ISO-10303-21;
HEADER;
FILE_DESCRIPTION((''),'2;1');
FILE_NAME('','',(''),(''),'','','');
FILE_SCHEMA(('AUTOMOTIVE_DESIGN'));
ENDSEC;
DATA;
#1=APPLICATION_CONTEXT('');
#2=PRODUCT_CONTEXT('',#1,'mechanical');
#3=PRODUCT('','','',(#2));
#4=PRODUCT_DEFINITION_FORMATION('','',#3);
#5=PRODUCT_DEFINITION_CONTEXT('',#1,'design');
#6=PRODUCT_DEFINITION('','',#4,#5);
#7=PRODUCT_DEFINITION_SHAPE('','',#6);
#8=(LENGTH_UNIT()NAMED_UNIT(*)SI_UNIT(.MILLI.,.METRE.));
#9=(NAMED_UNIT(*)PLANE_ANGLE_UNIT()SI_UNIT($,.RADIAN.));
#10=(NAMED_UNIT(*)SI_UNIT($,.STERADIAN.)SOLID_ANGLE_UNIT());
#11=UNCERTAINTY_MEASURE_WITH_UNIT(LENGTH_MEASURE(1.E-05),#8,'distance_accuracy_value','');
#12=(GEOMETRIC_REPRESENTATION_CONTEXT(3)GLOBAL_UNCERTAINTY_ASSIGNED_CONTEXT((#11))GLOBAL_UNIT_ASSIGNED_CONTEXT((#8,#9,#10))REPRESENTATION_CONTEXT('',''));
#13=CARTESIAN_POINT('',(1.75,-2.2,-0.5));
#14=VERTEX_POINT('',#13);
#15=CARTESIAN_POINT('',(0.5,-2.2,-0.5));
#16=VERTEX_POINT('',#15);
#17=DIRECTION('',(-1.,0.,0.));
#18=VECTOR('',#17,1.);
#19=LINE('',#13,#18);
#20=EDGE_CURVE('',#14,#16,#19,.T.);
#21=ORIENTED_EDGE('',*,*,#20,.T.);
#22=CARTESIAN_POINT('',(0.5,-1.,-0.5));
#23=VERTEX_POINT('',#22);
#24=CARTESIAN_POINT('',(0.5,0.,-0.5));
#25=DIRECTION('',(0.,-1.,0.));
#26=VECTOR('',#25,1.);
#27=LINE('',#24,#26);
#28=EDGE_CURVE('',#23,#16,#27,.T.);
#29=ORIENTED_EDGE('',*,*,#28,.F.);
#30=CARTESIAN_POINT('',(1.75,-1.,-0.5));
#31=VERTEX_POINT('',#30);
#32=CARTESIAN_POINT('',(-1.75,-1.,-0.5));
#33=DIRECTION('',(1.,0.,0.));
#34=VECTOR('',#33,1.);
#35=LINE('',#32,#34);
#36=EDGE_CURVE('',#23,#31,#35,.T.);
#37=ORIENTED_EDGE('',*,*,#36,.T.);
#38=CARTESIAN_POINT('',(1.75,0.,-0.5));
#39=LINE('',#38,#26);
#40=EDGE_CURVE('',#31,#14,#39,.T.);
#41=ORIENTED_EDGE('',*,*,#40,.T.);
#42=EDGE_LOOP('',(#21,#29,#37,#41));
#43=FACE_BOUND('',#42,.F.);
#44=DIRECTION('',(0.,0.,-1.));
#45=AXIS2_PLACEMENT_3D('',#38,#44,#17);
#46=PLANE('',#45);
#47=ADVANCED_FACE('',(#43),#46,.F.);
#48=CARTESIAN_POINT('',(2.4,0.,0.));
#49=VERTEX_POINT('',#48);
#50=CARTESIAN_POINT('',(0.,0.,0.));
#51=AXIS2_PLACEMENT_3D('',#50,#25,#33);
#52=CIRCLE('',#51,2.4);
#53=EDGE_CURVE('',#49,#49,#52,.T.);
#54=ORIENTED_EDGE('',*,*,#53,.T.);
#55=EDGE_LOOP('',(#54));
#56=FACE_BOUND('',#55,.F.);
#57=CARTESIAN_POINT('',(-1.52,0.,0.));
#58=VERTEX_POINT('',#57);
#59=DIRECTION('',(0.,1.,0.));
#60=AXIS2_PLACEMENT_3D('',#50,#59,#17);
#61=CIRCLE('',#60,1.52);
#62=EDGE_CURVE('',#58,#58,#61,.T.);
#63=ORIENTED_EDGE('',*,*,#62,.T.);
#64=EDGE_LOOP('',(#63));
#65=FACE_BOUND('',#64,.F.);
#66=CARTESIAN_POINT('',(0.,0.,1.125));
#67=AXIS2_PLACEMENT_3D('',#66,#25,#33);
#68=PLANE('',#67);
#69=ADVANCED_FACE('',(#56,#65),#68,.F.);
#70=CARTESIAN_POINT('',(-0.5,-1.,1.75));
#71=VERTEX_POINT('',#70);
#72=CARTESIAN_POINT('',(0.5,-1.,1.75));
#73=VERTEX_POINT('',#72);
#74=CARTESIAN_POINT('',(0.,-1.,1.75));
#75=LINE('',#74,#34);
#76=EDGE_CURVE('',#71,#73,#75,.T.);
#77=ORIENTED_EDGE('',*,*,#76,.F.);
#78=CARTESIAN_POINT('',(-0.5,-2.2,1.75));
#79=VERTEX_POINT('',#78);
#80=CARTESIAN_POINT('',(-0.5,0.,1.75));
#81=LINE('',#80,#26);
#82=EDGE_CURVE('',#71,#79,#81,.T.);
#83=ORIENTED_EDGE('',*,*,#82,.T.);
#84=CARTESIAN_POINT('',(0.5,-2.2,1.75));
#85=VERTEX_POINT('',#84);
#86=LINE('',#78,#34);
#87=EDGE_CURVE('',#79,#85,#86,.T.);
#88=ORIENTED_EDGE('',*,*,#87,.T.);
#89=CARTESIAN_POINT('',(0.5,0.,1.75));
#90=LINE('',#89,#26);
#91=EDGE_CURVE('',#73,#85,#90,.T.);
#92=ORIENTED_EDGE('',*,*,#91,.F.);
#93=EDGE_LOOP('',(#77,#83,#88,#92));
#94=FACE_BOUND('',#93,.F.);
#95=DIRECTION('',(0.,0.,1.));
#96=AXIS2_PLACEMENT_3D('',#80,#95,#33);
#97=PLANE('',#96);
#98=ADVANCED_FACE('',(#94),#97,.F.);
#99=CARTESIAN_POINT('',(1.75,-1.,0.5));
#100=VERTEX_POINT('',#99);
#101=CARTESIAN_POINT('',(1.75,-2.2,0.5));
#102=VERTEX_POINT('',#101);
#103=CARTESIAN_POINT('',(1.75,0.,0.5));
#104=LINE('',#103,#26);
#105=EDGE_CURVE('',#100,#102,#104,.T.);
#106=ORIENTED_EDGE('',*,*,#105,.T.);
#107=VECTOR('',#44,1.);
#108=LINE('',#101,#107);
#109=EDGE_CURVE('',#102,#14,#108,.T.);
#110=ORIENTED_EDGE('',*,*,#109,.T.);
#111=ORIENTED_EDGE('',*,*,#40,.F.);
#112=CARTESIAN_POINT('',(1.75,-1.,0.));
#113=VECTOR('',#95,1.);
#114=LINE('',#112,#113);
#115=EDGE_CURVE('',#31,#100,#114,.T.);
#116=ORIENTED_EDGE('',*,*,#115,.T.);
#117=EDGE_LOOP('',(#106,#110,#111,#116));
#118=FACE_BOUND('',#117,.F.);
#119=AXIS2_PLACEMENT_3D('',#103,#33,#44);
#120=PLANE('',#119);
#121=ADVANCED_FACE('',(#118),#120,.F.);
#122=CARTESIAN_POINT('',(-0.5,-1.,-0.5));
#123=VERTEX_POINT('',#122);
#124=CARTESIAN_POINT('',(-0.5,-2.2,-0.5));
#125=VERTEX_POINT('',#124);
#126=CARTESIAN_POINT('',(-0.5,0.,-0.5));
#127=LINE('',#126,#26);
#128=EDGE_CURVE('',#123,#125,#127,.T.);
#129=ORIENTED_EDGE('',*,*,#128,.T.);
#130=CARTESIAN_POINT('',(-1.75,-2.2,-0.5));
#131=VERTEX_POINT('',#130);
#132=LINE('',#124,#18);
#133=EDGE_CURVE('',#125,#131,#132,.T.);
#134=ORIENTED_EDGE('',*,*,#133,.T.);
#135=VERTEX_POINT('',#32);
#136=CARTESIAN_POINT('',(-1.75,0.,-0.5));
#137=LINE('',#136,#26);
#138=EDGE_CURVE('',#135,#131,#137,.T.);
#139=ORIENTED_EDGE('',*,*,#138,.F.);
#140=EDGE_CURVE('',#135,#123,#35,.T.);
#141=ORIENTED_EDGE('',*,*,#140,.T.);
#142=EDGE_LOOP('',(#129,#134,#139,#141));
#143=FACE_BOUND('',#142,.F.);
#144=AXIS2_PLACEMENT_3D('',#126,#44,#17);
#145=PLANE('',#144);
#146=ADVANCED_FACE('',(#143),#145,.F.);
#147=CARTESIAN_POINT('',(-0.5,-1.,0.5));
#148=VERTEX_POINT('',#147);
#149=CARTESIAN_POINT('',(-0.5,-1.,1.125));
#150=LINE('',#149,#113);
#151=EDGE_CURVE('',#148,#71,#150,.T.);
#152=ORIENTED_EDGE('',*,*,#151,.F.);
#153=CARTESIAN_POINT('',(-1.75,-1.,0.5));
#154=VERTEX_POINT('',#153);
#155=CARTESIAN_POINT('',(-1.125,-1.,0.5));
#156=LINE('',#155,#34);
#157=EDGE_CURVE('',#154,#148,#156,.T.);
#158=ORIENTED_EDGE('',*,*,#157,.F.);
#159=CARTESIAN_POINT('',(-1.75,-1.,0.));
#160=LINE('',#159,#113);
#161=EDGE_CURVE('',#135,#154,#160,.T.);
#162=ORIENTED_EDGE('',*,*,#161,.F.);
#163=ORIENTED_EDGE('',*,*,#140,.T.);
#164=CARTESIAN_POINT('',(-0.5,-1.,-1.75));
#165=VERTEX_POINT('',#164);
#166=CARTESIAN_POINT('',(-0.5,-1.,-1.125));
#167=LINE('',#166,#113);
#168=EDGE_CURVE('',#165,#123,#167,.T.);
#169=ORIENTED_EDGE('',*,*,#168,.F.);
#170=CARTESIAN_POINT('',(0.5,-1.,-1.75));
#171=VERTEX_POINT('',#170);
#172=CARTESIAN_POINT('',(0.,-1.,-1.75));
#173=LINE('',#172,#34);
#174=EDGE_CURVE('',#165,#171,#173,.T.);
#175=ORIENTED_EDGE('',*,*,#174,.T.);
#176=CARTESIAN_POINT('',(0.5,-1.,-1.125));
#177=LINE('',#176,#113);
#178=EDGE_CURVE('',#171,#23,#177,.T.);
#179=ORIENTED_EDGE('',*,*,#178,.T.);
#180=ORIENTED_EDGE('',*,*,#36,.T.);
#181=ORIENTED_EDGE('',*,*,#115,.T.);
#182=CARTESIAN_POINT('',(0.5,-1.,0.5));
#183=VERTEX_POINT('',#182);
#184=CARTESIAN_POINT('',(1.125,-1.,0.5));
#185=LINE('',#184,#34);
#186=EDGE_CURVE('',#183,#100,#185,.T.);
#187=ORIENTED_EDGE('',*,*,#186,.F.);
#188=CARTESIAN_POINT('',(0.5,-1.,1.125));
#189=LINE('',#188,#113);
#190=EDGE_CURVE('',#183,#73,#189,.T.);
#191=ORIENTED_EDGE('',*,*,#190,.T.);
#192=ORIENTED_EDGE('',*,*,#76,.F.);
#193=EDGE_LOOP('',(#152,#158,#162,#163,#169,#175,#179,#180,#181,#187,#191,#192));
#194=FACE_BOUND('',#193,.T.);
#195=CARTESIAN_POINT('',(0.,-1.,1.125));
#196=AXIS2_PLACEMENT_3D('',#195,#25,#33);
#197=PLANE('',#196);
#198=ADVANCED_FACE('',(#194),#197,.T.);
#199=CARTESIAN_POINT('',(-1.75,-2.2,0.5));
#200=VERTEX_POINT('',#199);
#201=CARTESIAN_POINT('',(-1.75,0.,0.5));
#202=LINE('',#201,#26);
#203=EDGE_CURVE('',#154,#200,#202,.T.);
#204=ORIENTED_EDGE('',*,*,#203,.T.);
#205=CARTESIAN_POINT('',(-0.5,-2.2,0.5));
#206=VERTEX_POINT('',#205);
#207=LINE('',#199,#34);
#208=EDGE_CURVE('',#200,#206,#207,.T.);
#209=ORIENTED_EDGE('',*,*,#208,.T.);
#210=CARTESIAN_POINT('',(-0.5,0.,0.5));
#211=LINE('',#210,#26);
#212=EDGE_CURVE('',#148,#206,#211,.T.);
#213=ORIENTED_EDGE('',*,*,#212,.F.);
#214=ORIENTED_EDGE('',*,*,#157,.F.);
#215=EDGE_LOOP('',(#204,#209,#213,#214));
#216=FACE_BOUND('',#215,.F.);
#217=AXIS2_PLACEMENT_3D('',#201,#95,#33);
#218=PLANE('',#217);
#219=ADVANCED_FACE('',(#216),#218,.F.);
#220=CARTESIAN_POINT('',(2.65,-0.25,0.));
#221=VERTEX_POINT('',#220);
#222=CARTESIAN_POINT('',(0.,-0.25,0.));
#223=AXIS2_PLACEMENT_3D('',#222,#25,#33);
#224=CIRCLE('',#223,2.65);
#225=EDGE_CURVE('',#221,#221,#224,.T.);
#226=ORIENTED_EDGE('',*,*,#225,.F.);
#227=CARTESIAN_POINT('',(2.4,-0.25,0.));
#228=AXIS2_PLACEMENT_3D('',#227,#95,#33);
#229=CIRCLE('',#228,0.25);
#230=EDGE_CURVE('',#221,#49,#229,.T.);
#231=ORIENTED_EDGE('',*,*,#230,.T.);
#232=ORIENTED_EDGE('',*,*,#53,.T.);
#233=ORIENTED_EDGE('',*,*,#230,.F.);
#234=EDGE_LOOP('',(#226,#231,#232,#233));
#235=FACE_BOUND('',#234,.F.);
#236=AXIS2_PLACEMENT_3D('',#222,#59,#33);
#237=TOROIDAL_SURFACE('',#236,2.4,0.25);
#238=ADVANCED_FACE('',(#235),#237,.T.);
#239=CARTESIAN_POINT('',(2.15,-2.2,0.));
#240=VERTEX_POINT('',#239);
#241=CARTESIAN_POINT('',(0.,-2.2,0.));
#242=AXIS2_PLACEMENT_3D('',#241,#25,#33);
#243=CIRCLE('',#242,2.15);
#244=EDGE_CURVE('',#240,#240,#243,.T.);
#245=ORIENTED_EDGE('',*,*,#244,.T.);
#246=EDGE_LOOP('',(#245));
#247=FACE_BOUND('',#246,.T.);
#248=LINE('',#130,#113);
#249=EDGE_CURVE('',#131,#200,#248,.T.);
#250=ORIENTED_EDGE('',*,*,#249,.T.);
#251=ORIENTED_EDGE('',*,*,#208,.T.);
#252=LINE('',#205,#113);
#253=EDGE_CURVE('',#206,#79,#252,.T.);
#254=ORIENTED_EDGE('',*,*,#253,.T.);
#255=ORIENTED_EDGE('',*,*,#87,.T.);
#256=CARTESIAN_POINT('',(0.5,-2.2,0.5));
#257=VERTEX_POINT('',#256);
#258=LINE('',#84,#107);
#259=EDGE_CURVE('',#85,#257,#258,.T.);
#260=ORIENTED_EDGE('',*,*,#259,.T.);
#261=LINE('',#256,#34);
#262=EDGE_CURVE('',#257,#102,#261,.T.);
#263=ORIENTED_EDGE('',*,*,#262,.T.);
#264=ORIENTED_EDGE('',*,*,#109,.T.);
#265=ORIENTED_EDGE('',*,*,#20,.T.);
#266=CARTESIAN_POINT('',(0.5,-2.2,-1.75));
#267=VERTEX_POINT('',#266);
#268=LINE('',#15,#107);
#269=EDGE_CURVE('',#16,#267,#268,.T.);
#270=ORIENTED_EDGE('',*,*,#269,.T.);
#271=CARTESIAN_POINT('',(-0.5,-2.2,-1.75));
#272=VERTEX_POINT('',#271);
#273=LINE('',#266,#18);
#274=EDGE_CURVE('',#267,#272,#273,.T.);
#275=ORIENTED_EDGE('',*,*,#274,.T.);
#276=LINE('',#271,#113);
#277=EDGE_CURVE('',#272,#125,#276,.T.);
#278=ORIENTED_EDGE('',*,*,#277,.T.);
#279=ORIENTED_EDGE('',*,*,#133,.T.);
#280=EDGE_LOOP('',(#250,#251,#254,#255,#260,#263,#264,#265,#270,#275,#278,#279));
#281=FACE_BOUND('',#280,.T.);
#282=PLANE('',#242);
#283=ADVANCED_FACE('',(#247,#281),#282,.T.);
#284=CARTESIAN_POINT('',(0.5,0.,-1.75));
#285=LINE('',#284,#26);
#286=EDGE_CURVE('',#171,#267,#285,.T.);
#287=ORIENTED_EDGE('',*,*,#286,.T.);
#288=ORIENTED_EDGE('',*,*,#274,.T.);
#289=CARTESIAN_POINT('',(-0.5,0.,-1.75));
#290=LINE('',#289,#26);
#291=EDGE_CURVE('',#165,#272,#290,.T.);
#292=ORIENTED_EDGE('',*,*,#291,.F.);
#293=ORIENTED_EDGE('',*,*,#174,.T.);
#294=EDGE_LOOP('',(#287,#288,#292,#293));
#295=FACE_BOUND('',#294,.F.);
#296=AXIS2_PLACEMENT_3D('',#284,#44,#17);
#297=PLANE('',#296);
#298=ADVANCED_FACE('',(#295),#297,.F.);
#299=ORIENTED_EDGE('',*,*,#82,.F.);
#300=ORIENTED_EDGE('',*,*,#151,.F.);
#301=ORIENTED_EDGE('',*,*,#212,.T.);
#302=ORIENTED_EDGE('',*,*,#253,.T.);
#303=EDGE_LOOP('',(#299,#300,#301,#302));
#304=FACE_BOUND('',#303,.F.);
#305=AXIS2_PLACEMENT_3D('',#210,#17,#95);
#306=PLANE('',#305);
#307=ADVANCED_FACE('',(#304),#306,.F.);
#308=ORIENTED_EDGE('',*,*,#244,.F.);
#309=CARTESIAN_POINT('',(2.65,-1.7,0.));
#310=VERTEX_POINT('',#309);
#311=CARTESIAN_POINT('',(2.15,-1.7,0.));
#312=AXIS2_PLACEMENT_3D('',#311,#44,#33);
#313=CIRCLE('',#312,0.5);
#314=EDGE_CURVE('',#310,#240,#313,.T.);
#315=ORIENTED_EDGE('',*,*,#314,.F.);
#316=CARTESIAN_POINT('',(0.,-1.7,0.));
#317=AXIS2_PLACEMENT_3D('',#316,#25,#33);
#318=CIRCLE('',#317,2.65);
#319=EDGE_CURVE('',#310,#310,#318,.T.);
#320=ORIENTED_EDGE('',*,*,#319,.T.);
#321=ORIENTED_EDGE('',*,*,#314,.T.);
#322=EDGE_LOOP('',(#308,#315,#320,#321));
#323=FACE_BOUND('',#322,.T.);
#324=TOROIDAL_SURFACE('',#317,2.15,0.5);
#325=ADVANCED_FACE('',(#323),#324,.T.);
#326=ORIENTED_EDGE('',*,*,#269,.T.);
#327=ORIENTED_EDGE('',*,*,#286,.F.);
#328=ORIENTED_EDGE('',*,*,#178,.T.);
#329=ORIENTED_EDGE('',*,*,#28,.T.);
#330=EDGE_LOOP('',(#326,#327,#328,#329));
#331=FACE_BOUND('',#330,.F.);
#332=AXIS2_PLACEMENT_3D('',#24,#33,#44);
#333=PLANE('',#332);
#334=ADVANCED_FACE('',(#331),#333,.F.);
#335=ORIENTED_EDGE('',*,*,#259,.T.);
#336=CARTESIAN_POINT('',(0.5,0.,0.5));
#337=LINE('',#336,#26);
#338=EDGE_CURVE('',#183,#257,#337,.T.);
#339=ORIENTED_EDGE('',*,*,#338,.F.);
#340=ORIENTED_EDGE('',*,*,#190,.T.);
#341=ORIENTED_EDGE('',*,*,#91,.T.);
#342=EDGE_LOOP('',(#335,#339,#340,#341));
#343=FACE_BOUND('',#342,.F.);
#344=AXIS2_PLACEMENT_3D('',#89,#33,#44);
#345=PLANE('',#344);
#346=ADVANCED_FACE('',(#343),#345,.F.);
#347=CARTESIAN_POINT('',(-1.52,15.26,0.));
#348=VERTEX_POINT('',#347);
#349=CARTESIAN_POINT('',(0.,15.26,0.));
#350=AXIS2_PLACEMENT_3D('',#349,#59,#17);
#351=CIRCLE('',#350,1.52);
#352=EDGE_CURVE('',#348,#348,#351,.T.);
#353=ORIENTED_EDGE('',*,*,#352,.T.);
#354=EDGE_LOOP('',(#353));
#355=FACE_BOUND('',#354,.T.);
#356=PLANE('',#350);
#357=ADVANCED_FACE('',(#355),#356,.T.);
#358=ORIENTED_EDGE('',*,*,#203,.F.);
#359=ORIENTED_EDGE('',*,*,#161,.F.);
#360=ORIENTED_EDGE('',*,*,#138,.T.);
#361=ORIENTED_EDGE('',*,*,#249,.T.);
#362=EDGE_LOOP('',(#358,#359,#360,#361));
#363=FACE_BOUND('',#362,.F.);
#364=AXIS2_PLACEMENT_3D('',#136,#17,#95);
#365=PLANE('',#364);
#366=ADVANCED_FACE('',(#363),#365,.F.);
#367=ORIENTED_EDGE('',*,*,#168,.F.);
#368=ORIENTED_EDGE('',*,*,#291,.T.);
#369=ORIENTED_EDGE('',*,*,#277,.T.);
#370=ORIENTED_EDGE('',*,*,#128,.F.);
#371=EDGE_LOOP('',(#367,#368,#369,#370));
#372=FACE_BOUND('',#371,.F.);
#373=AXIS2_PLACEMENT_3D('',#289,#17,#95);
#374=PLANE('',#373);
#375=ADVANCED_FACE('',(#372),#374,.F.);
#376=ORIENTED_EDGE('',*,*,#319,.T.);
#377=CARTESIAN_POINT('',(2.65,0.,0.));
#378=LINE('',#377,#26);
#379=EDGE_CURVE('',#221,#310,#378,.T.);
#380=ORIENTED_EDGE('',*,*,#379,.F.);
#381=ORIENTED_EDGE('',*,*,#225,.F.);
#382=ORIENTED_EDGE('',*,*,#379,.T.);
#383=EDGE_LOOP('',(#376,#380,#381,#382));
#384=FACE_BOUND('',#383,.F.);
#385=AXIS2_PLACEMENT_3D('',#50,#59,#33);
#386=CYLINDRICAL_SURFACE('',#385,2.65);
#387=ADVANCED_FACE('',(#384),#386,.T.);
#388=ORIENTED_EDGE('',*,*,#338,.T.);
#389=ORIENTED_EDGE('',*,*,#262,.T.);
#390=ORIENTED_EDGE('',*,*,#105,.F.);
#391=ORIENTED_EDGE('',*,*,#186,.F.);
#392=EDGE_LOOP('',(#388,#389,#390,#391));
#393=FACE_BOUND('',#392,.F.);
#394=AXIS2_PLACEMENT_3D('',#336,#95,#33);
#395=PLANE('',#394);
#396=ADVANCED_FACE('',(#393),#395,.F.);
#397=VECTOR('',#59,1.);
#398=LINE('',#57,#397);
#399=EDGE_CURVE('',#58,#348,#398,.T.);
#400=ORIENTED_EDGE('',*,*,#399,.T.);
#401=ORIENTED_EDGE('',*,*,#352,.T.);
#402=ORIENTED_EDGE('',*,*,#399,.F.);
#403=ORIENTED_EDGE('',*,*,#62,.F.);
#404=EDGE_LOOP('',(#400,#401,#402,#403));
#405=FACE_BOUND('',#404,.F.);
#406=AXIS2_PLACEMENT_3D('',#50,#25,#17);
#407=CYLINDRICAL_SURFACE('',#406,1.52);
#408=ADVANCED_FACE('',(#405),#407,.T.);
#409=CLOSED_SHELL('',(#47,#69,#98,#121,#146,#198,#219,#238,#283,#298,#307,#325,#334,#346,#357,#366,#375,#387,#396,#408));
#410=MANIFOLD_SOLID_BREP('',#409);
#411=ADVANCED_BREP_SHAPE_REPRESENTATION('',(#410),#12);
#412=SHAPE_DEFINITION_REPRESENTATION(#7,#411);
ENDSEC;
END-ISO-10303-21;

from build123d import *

# Parameters (mm, degrees)
F0_R     = 2.65
F1_DEPTH = 2.2
F0_W     = 1
F0_H     = 1.25
F0_W_2   = 1.25
F0_H_2   = 1
F2_DEPTH = 1
F3_R     = 0.5
F4_R     = 0.25
F5_R     = 1.52
F6_DEPTH = 15.26


with BuildPart() as f1:
    # F0 (on Front) → F1 (new body)
    with BuildSketch(Plane.XZ):
        Circle(F0_R)
        Polygon((0.5, -0.5), (0.5, -1.75), (-0.5, -1.75), (-0.5, -0.5), (-1.75, -0.5), (-1.75, 0.5), (-0.5, 0.5), (-0.5, 1.75), (0.5, 1.75), (0.5, 0.5), (1.75, 0.5), (1.75, -0.5), align=None, mode=Mode.SUBTRACT)
    extrude(amount=F1_DEPTH)

    # F0 (on Front) → F2 (join)
    with BuildSketch(Plane.XZ):
        with Locations((0, 1.125)):
            Rectangle(F0_W, F0_H)
        with Locations((1.125, 0)):
            Rectangle(F0_W_2, F0_H_2)
        with Locations((-1.125, 0)):
            Rectangle(F0_W_2, F0_H_2)
        Rectangle(F0_W, F0_H_2)
        with Locations((0, -1.125)):
            Rectangle(F0_W, F0_H)
    extrude(amount=F2_DEPTH)

    # F3
    f3_edges = [f1.edges().sort_by_distance(p)[0] for p in [
        (-2.65, -2.2, 0),
    ]]
    fillet(f3_edges, radius=F3_R)

    # F4
    f4_edges = [f1.edges().sort_by_distance(p)[0] for p in [
        (-2.65, 0, 0),
    ]]
    fillet(f4_edges, radius=F4_R)

    # F5 (on face) → F6 (join)
    with BuildSketch(Plane(origin=(0, 0, 0), x_dir=(-1, 0, 0), z_dir=(0, 1, 0))):
        Circle(F5_R)
    extrude(amount=F6_DEPTH)


solid = f1.part
